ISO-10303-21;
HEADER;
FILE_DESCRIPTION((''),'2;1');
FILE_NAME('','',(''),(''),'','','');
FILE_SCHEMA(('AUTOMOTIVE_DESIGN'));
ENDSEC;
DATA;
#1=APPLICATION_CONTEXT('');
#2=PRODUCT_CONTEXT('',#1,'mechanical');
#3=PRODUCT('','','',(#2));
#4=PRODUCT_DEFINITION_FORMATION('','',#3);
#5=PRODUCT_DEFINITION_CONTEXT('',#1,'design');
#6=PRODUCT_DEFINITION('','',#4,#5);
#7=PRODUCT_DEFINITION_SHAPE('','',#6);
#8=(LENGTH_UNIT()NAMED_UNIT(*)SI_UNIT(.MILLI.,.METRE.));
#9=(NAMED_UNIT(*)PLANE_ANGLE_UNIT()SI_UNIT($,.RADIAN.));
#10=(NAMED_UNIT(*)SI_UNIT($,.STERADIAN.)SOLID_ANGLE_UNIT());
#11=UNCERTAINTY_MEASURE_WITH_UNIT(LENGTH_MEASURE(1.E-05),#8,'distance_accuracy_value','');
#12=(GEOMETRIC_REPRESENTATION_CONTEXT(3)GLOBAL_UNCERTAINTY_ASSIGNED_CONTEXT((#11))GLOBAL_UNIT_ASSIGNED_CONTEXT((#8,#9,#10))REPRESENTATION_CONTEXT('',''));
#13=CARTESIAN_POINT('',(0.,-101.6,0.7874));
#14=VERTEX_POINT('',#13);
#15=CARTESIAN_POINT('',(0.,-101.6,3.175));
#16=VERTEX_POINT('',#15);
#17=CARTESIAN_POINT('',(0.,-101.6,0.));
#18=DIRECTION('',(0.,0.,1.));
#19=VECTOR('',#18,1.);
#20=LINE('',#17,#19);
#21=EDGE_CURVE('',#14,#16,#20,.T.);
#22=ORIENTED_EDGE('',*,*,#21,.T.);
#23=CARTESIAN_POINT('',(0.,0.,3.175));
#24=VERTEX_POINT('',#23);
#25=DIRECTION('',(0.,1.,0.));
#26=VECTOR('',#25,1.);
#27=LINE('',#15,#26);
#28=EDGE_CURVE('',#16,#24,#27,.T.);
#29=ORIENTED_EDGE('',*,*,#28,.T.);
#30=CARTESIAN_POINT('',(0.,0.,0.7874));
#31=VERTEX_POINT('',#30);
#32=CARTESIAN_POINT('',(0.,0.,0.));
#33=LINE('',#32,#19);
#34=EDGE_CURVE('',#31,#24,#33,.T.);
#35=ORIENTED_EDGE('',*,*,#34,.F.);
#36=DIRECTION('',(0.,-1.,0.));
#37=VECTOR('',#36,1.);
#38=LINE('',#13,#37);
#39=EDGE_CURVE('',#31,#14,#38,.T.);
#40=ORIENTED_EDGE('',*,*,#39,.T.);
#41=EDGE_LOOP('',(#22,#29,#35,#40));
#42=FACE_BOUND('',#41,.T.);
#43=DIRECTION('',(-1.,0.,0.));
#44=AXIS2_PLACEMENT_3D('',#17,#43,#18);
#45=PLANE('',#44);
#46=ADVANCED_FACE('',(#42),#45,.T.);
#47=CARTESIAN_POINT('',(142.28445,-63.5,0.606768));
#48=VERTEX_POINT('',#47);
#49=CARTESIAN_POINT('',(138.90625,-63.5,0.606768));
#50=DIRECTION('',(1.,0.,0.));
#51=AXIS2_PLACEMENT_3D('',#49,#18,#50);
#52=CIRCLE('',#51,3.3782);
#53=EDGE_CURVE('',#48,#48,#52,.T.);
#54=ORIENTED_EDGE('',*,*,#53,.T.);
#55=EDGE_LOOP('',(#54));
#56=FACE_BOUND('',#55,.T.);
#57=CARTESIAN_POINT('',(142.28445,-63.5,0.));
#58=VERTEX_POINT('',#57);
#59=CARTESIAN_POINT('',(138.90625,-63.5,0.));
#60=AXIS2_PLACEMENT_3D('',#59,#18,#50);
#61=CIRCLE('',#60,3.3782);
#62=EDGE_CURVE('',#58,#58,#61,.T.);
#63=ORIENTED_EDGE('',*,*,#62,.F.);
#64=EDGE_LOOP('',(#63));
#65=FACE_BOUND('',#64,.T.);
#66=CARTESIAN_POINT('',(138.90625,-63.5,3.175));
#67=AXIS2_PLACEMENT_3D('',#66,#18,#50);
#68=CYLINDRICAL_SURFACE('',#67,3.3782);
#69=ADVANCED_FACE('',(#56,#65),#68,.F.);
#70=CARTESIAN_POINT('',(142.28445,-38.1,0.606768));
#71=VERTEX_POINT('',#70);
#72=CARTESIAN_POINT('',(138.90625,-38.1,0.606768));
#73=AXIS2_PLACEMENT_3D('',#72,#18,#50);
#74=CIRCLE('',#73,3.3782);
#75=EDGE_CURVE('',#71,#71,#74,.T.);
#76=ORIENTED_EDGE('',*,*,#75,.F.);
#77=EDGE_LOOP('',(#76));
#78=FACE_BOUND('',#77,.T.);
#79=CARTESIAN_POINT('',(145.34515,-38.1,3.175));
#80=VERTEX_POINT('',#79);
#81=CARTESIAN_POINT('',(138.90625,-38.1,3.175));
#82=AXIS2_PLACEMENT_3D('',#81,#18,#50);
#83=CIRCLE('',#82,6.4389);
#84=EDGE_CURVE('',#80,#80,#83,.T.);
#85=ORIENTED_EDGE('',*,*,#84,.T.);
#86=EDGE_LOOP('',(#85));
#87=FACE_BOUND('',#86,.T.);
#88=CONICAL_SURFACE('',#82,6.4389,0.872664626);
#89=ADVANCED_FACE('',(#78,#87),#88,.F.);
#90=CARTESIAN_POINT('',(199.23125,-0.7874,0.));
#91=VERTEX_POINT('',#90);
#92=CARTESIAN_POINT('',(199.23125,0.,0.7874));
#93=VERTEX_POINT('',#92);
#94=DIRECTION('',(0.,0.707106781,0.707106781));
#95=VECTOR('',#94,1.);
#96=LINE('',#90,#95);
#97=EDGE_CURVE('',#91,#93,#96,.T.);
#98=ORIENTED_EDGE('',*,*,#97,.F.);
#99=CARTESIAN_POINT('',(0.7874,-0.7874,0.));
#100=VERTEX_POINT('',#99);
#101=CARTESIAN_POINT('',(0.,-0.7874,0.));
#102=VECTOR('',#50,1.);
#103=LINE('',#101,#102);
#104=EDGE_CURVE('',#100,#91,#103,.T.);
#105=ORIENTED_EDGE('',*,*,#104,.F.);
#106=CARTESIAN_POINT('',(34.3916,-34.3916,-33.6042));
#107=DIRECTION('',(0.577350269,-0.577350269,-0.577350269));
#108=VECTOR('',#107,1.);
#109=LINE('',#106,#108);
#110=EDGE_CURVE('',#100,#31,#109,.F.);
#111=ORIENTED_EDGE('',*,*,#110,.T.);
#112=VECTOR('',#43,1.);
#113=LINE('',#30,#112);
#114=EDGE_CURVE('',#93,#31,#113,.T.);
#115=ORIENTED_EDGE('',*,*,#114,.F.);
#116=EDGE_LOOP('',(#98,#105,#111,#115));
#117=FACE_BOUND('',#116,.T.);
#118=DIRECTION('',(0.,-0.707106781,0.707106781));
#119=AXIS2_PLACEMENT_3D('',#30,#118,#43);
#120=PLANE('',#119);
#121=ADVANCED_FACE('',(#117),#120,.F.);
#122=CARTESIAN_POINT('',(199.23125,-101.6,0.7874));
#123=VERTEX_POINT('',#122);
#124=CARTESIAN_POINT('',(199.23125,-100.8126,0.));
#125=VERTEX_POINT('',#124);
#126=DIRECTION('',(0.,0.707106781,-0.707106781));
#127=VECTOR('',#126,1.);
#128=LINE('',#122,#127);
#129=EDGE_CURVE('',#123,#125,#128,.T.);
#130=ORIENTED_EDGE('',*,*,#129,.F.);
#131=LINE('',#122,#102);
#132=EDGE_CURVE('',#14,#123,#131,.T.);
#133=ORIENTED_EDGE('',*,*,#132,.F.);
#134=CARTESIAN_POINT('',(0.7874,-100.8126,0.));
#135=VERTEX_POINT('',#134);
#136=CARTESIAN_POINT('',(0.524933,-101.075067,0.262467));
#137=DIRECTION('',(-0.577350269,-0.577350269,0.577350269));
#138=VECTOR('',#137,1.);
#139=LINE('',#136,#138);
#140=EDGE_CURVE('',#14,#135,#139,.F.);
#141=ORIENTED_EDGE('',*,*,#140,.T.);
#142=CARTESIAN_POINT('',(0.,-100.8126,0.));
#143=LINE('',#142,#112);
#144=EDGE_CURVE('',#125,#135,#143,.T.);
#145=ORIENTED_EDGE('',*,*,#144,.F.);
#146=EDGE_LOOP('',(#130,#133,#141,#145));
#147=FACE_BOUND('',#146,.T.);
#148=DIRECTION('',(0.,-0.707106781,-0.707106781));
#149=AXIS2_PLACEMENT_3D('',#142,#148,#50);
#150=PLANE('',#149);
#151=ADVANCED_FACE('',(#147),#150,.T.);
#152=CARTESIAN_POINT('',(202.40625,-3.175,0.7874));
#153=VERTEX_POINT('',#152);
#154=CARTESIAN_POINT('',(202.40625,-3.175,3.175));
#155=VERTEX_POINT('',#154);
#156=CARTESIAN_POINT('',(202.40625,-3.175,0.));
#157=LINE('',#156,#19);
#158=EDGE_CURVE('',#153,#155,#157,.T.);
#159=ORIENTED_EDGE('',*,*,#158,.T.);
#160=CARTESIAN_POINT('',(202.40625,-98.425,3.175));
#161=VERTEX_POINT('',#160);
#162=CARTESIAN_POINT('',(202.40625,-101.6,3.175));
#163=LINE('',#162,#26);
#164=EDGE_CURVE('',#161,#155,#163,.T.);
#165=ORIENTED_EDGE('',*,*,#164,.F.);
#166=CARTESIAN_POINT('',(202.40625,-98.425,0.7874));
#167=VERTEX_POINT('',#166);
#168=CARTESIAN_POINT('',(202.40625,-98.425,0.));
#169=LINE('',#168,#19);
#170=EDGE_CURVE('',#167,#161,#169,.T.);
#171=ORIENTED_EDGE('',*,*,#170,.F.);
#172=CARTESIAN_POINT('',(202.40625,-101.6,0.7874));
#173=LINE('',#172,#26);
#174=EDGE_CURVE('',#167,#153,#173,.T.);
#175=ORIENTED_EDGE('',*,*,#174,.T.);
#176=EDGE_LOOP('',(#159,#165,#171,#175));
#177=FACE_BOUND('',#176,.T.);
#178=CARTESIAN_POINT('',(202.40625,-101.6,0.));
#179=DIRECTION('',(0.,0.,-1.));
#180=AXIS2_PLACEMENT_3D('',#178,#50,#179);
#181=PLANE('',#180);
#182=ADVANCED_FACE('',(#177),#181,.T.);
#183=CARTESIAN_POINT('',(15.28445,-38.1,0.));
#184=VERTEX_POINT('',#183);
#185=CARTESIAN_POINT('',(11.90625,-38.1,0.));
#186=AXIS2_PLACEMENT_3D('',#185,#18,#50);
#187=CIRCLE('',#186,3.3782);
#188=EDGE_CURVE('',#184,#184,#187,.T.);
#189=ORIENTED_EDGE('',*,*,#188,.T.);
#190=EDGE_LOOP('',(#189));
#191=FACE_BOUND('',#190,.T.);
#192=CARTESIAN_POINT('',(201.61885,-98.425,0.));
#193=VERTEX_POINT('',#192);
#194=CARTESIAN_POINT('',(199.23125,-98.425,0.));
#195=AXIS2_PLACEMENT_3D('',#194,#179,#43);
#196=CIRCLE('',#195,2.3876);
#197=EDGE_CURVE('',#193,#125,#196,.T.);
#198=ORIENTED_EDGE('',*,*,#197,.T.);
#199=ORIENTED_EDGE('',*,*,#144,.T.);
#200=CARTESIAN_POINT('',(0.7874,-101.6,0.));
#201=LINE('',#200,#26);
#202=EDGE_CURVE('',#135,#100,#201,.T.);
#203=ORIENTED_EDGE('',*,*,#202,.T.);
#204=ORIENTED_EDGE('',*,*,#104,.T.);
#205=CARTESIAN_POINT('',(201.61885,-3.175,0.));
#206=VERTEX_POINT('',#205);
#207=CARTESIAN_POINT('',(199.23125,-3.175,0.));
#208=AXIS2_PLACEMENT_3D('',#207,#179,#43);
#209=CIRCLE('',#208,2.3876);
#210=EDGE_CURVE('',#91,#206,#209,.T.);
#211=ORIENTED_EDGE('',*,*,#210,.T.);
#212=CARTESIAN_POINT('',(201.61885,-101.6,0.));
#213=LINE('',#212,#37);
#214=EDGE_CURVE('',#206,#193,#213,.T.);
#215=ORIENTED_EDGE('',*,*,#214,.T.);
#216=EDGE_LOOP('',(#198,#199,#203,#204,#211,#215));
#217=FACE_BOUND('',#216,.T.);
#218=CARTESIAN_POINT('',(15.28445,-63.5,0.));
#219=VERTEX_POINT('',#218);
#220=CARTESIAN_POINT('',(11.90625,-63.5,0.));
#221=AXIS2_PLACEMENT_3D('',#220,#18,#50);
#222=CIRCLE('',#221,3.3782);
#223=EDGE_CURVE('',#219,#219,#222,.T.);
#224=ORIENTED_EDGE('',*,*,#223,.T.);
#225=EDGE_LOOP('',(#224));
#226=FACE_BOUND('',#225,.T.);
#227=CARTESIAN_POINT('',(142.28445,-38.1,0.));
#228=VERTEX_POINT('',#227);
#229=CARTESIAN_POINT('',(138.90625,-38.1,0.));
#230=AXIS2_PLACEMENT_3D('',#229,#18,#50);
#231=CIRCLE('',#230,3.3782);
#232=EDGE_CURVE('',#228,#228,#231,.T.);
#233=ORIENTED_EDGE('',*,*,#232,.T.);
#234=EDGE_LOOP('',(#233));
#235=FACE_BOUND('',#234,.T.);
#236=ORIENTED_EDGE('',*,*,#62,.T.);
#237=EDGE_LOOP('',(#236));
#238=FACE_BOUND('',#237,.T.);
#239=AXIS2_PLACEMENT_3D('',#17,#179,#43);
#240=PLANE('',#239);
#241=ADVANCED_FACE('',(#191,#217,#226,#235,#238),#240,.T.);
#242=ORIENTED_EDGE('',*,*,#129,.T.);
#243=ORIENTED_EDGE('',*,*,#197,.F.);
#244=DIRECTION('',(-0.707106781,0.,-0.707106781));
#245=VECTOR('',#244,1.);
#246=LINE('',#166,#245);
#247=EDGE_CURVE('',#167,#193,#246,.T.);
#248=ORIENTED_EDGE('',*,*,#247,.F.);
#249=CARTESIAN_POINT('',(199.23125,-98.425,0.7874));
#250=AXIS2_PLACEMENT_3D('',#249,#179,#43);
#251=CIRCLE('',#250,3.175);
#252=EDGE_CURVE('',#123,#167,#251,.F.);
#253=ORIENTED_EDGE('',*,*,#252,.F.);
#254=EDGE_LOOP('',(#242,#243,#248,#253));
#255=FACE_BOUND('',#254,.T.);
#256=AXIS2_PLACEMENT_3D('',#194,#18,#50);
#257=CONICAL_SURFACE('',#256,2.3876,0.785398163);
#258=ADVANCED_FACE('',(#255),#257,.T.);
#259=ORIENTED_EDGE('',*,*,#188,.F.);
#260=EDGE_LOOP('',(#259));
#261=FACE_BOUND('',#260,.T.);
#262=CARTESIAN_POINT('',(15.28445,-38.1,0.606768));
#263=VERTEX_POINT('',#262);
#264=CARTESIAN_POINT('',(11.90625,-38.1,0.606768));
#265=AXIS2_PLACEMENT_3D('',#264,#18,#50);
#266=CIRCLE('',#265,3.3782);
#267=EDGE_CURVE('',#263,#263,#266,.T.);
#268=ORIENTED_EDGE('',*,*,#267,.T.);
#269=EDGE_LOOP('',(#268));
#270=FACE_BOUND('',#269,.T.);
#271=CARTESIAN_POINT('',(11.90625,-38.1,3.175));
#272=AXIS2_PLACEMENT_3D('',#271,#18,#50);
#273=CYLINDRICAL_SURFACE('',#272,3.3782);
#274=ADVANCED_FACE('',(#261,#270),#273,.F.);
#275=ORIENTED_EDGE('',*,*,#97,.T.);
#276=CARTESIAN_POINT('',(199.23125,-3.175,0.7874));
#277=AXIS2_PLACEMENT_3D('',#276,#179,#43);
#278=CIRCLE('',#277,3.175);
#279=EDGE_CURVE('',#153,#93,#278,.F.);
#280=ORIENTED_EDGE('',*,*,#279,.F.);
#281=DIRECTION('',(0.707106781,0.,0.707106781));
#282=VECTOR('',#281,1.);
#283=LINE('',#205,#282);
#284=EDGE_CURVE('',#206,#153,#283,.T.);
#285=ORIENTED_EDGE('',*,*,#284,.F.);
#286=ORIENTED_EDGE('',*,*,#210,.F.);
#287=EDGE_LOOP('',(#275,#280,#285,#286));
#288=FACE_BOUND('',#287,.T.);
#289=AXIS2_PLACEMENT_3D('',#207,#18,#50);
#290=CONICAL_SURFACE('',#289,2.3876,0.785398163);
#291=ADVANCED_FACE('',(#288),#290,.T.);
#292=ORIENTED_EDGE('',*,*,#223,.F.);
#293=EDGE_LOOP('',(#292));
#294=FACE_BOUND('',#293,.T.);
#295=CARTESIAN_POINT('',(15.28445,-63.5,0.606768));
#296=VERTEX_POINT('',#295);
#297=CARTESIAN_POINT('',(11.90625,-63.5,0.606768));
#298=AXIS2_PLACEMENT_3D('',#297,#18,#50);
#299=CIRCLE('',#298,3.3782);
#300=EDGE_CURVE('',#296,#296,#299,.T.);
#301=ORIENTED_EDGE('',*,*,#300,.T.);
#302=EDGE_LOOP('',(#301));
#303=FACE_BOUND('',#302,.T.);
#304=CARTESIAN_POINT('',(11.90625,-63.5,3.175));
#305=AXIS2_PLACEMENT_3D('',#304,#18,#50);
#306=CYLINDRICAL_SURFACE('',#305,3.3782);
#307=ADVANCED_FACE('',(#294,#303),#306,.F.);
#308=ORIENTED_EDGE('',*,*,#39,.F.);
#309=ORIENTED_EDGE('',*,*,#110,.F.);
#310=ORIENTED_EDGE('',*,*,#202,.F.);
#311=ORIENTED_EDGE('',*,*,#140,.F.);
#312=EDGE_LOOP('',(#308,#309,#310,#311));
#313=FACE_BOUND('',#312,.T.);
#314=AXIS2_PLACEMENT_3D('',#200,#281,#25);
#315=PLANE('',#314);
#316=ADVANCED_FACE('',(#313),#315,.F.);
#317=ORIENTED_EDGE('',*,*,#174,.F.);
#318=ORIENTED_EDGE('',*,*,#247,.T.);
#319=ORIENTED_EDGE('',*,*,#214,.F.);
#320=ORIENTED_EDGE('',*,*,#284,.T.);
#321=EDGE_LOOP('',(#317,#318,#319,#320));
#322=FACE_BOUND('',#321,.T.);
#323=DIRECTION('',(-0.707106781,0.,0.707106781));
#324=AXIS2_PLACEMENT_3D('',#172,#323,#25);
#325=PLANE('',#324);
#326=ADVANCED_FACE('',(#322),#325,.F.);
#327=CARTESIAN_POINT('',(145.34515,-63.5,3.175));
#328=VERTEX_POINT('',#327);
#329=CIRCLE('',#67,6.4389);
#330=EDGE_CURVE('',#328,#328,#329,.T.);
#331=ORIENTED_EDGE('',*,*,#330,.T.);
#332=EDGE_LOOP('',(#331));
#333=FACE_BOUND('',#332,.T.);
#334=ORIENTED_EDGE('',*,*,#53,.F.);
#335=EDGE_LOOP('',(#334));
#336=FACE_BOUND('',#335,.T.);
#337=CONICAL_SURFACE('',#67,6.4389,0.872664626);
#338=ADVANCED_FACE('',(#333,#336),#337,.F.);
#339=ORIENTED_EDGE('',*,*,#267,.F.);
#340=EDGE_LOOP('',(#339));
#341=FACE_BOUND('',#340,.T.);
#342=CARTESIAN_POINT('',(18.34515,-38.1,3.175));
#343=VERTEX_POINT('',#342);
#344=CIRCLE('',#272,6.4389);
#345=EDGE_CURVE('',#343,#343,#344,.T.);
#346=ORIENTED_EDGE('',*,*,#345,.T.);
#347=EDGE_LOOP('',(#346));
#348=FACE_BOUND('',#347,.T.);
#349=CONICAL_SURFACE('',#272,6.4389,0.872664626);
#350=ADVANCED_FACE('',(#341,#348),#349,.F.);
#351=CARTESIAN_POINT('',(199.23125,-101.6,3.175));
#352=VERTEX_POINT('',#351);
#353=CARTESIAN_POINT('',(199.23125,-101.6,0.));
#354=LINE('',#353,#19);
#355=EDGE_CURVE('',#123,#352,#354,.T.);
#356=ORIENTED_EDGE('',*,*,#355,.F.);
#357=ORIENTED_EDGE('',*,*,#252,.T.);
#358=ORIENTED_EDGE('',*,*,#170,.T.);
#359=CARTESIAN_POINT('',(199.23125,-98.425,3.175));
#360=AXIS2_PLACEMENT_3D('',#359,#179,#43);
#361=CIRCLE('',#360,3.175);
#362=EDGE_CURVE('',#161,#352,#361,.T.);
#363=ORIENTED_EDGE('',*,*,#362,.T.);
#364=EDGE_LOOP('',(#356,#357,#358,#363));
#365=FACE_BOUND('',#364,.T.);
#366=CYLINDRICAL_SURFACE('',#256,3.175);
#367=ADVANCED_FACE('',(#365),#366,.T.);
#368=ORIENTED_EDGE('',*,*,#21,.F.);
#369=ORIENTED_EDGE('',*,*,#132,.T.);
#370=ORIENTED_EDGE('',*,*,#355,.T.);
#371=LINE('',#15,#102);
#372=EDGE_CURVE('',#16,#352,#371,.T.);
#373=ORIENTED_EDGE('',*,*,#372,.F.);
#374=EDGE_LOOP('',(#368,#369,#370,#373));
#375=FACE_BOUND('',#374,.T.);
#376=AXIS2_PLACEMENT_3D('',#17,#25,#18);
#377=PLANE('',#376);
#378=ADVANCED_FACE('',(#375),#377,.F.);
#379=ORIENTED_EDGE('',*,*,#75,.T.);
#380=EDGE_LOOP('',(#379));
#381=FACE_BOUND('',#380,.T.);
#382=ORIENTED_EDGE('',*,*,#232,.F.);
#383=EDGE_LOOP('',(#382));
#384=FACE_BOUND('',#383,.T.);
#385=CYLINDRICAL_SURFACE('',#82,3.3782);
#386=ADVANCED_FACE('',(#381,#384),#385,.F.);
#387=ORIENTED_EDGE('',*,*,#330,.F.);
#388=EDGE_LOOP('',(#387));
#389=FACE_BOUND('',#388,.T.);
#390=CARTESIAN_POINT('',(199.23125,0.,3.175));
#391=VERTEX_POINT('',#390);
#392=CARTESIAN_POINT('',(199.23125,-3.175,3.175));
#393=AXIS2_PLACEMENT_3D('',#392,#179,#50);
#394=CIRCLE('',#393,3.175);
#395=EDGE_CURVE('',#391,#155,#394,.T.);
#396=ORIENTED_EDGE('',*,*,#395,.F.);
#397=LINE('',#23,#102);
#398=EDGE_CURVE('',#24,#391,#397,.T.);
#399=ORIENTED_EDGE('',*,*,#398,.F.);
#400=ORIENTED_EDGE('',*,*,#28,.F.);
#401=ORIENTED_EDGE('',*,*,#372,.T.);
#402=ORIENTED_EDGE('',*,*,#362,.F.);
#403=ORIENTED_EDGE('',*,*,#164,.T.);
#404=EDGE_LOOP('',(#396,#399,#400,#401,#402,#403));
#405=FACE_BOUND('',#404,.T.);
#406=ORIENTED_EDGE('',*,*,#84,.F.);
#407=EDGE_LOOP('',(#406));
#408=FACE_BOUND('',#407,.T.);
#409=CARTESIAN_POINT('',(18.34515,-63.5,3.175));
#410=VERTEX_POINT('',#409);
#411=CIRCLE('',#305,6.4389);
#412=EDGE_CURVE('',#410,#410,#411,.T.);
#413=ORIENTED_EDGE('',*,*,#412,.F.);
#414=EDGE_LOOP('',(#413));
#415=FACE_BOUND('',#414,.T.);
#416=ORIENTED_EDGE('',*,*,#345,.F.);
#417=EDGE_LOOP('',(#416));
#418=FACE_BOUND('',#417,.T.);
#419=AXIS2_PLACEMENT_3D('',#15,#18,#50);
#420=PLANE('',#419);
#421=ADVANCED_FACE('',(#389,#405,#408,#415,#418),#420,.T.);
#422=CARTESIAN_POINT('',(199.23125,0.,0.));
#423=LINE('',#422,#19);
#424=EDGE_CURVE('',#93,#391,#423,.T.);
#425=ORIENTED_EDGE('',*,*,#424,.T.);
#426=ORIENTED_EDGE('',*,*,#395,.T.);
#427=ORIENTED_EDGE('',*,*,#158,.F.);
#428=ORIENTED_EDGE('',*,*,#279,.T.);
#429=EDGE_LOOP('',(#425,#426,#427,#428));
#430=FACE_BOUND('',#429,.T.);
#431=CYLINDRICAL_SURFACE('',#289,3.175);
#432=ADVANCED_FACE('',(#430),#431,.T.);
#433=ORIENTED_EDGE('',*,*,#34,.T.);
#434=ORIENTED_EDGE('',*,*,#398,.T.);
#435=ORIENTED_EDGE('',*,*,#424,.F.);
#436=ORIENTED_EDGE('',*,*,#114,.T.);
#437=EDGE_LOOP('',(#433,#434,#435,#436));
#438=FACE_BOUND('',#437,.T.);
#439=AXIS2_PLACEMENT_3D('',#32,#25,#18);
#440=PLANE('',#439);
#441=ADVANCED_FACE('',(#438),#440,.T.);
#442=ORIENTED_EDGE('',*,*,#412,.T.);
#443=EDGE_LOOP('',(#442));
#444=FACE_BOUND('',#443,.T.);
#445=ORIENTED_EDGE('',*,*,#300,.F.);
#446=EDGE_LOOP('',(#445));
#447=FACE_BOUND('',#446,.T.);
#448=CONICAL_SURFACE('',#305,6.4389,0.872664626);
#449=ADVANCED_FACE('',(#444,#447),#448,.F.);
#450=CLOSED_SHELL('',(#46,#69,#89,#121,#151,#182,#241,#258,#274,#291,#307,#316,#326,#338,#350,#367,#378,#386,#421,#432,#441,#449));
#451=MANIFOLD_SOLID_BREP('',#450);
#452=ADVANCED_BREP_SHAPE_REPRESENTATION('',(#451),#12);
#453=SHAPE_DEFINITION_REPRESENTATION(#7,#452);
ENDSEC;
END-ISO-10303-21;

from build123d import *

# Parameters (mm, degrees)
SKETCH1_W                                   = 202.40625
SKETCH1_H                                   = 3.175
BOSS_EXTRUDE1_DEPTH                         = 101.6
CSK_FOR_1_4_FLAT_HEAD_MACHINE_SCREW_2_COUNT = 2
CSK_FOR_1_4_FLAT_HEAD_MACHINE_SCREW_2_PITCH = 25.4
CSK_FOR_1_4_FLAT_HEAD_MACHINE_SCREW_3_COUNT = 2
CSK_FOR_1_4_FLAT_HEAD_MACHINE_SCREW_3_PITCH = 129.515095645
CSK_FOR_1_4_FLAT_HEAD_MACHINE_SCREW_4_COUNT = 2
CSK_FOR_1_4_FLAT_HEAD_MACHINE_SCREW_4_PITCH = 127
CUT_EXTRUDE1_DEPTH                          = 4.175
CHAMFER1_SIZE                               = 0.7874


with BuildPart() as part:
    # Sketch1 → Boss-Extrude1 (new body)
    with BuildSketch(Plane(origin=(0, 0, 0), x_dir=(1, 0, 0), z_dir=(0, 1, 0))):
        with Locations((101.203125, -1.5875)):
            Rectangle(SKETCH1_W, SKETCH1_H)
    extrude(amount=-BOSS_EXTRUDE1_DEPTH)

    # Sketch15 → CSK for 1/4 Flat Head Machine Screw (100)5 (revolve, cut)
    with BuildSketch(Plane(origin=(11.90625, -38.1, 3.175), x_dir=(0, -1, 0), z_dir=(1, 0, 0))):
        Polygon((0, 0), (0, 3.175), (3.3782, 3.175), (3.3782, 2.568232241), (6.4389, 0), align=None)
    csk_for_1_4_flat_head_machine_screw_100 = revolve(axis=Axis((11.90625, -38.1, 9.525), (0, 0, -1)), mode=Mode.SUBTRACT)

    # CSK for 1_4 Flat Head Machine Screw  2: CSK for 1/4 Flat Head Machine Screw (100)5 ×2
    with Locations(*[(0, -i * CSK_FOR_1_4_FLAT_HEAD_MACHINE_SCREW_2_PITCH, 0) for i in range(1, CSK_FOR_1_4_FLAT_HEAD_MACHINE_SCREW_2_COUNT)]):
        add(csk_for_1_4_flat_head_machine_screw_100, mode=Mode.SUBTRACT)

    # CSK for 1_4 Flat Head Machine Screw  3: CSK for 1/4 Flat Head Machine Screw (100)5 ×2
    with Locations(*[Vector(0.980580676, -0.196116135, 0) * (i * CSK_FOR_1_4_FLAT_HEAD_MACHINE_SCREW_3_PITCH) for i in range(1, CSK_FOR_1_4_FLAT_HEAD_MACHINE_SCREW_3_COUNT)]):
        add(csk_for_1_4_flat_head_machine_screw_100, mode=Mode.SUBTRACT)

    # CSK for 1_4 Flat Head Machine Screw  4: CSK for 1/4 Flat Head Machine Screw (100)5 ×2
    with Locations(*[(i * CSK_FOR_1_4_FLAT_HEAD_MACHINE_SCREW_4_PITCH, 0, 0) for i in range(1, CSK_FOR_1_4_FLAT_HEAD_MACHINE_SCREW_4_COUNT)]):
        add(csk_for_1_4_flat_head_machine_screw_100, mode=Mode.SUBTRACT)

    # Sketch17 → Cut-Extrude1 (cut, through all)
    with BuildSketch(Plane.XY.offset(3.175)):
        with BuildLine():
            Line((202.40625, -3.175), (202.40625, 0))
            Line((202.40625, 0), (199.23125, 0))
            ThreePointArc((199.23125, 0), (201.47631403, -0.92993597), (202.40625, -3.175))
        make_face()
        with BuildLine():
            Line((202.40625, -98.425), (202.40625, -101.6))
            Line((202.40625, -101.6), (199.23125, -101.6))
            ThreePointArc((199.23125, -101.6), (201.47631403, -100.67006403), (202.40625, -98.425))
        make_face()
    extrude(amount=-CUT_EXTRUDE1_DEPTH, mode=Mode.SUBTRACT)

    # Chamfer1
    chamfer1_edges = [part.edges().sort_by_distance(p)[0] for p in [
        (99.615625, 0, 0),
        (99.615625, -101.6, 0),
        (202.40625, -50.8, 0),
        (201.47631403, -0.92993597, 0),
        (201.47631403, -100.67006403, 0),
        (0, -50.8, 0),
    ]]
    chamfer(chamfer1_edges, length=CHAMFER1_SIZE)


solid = part.part
